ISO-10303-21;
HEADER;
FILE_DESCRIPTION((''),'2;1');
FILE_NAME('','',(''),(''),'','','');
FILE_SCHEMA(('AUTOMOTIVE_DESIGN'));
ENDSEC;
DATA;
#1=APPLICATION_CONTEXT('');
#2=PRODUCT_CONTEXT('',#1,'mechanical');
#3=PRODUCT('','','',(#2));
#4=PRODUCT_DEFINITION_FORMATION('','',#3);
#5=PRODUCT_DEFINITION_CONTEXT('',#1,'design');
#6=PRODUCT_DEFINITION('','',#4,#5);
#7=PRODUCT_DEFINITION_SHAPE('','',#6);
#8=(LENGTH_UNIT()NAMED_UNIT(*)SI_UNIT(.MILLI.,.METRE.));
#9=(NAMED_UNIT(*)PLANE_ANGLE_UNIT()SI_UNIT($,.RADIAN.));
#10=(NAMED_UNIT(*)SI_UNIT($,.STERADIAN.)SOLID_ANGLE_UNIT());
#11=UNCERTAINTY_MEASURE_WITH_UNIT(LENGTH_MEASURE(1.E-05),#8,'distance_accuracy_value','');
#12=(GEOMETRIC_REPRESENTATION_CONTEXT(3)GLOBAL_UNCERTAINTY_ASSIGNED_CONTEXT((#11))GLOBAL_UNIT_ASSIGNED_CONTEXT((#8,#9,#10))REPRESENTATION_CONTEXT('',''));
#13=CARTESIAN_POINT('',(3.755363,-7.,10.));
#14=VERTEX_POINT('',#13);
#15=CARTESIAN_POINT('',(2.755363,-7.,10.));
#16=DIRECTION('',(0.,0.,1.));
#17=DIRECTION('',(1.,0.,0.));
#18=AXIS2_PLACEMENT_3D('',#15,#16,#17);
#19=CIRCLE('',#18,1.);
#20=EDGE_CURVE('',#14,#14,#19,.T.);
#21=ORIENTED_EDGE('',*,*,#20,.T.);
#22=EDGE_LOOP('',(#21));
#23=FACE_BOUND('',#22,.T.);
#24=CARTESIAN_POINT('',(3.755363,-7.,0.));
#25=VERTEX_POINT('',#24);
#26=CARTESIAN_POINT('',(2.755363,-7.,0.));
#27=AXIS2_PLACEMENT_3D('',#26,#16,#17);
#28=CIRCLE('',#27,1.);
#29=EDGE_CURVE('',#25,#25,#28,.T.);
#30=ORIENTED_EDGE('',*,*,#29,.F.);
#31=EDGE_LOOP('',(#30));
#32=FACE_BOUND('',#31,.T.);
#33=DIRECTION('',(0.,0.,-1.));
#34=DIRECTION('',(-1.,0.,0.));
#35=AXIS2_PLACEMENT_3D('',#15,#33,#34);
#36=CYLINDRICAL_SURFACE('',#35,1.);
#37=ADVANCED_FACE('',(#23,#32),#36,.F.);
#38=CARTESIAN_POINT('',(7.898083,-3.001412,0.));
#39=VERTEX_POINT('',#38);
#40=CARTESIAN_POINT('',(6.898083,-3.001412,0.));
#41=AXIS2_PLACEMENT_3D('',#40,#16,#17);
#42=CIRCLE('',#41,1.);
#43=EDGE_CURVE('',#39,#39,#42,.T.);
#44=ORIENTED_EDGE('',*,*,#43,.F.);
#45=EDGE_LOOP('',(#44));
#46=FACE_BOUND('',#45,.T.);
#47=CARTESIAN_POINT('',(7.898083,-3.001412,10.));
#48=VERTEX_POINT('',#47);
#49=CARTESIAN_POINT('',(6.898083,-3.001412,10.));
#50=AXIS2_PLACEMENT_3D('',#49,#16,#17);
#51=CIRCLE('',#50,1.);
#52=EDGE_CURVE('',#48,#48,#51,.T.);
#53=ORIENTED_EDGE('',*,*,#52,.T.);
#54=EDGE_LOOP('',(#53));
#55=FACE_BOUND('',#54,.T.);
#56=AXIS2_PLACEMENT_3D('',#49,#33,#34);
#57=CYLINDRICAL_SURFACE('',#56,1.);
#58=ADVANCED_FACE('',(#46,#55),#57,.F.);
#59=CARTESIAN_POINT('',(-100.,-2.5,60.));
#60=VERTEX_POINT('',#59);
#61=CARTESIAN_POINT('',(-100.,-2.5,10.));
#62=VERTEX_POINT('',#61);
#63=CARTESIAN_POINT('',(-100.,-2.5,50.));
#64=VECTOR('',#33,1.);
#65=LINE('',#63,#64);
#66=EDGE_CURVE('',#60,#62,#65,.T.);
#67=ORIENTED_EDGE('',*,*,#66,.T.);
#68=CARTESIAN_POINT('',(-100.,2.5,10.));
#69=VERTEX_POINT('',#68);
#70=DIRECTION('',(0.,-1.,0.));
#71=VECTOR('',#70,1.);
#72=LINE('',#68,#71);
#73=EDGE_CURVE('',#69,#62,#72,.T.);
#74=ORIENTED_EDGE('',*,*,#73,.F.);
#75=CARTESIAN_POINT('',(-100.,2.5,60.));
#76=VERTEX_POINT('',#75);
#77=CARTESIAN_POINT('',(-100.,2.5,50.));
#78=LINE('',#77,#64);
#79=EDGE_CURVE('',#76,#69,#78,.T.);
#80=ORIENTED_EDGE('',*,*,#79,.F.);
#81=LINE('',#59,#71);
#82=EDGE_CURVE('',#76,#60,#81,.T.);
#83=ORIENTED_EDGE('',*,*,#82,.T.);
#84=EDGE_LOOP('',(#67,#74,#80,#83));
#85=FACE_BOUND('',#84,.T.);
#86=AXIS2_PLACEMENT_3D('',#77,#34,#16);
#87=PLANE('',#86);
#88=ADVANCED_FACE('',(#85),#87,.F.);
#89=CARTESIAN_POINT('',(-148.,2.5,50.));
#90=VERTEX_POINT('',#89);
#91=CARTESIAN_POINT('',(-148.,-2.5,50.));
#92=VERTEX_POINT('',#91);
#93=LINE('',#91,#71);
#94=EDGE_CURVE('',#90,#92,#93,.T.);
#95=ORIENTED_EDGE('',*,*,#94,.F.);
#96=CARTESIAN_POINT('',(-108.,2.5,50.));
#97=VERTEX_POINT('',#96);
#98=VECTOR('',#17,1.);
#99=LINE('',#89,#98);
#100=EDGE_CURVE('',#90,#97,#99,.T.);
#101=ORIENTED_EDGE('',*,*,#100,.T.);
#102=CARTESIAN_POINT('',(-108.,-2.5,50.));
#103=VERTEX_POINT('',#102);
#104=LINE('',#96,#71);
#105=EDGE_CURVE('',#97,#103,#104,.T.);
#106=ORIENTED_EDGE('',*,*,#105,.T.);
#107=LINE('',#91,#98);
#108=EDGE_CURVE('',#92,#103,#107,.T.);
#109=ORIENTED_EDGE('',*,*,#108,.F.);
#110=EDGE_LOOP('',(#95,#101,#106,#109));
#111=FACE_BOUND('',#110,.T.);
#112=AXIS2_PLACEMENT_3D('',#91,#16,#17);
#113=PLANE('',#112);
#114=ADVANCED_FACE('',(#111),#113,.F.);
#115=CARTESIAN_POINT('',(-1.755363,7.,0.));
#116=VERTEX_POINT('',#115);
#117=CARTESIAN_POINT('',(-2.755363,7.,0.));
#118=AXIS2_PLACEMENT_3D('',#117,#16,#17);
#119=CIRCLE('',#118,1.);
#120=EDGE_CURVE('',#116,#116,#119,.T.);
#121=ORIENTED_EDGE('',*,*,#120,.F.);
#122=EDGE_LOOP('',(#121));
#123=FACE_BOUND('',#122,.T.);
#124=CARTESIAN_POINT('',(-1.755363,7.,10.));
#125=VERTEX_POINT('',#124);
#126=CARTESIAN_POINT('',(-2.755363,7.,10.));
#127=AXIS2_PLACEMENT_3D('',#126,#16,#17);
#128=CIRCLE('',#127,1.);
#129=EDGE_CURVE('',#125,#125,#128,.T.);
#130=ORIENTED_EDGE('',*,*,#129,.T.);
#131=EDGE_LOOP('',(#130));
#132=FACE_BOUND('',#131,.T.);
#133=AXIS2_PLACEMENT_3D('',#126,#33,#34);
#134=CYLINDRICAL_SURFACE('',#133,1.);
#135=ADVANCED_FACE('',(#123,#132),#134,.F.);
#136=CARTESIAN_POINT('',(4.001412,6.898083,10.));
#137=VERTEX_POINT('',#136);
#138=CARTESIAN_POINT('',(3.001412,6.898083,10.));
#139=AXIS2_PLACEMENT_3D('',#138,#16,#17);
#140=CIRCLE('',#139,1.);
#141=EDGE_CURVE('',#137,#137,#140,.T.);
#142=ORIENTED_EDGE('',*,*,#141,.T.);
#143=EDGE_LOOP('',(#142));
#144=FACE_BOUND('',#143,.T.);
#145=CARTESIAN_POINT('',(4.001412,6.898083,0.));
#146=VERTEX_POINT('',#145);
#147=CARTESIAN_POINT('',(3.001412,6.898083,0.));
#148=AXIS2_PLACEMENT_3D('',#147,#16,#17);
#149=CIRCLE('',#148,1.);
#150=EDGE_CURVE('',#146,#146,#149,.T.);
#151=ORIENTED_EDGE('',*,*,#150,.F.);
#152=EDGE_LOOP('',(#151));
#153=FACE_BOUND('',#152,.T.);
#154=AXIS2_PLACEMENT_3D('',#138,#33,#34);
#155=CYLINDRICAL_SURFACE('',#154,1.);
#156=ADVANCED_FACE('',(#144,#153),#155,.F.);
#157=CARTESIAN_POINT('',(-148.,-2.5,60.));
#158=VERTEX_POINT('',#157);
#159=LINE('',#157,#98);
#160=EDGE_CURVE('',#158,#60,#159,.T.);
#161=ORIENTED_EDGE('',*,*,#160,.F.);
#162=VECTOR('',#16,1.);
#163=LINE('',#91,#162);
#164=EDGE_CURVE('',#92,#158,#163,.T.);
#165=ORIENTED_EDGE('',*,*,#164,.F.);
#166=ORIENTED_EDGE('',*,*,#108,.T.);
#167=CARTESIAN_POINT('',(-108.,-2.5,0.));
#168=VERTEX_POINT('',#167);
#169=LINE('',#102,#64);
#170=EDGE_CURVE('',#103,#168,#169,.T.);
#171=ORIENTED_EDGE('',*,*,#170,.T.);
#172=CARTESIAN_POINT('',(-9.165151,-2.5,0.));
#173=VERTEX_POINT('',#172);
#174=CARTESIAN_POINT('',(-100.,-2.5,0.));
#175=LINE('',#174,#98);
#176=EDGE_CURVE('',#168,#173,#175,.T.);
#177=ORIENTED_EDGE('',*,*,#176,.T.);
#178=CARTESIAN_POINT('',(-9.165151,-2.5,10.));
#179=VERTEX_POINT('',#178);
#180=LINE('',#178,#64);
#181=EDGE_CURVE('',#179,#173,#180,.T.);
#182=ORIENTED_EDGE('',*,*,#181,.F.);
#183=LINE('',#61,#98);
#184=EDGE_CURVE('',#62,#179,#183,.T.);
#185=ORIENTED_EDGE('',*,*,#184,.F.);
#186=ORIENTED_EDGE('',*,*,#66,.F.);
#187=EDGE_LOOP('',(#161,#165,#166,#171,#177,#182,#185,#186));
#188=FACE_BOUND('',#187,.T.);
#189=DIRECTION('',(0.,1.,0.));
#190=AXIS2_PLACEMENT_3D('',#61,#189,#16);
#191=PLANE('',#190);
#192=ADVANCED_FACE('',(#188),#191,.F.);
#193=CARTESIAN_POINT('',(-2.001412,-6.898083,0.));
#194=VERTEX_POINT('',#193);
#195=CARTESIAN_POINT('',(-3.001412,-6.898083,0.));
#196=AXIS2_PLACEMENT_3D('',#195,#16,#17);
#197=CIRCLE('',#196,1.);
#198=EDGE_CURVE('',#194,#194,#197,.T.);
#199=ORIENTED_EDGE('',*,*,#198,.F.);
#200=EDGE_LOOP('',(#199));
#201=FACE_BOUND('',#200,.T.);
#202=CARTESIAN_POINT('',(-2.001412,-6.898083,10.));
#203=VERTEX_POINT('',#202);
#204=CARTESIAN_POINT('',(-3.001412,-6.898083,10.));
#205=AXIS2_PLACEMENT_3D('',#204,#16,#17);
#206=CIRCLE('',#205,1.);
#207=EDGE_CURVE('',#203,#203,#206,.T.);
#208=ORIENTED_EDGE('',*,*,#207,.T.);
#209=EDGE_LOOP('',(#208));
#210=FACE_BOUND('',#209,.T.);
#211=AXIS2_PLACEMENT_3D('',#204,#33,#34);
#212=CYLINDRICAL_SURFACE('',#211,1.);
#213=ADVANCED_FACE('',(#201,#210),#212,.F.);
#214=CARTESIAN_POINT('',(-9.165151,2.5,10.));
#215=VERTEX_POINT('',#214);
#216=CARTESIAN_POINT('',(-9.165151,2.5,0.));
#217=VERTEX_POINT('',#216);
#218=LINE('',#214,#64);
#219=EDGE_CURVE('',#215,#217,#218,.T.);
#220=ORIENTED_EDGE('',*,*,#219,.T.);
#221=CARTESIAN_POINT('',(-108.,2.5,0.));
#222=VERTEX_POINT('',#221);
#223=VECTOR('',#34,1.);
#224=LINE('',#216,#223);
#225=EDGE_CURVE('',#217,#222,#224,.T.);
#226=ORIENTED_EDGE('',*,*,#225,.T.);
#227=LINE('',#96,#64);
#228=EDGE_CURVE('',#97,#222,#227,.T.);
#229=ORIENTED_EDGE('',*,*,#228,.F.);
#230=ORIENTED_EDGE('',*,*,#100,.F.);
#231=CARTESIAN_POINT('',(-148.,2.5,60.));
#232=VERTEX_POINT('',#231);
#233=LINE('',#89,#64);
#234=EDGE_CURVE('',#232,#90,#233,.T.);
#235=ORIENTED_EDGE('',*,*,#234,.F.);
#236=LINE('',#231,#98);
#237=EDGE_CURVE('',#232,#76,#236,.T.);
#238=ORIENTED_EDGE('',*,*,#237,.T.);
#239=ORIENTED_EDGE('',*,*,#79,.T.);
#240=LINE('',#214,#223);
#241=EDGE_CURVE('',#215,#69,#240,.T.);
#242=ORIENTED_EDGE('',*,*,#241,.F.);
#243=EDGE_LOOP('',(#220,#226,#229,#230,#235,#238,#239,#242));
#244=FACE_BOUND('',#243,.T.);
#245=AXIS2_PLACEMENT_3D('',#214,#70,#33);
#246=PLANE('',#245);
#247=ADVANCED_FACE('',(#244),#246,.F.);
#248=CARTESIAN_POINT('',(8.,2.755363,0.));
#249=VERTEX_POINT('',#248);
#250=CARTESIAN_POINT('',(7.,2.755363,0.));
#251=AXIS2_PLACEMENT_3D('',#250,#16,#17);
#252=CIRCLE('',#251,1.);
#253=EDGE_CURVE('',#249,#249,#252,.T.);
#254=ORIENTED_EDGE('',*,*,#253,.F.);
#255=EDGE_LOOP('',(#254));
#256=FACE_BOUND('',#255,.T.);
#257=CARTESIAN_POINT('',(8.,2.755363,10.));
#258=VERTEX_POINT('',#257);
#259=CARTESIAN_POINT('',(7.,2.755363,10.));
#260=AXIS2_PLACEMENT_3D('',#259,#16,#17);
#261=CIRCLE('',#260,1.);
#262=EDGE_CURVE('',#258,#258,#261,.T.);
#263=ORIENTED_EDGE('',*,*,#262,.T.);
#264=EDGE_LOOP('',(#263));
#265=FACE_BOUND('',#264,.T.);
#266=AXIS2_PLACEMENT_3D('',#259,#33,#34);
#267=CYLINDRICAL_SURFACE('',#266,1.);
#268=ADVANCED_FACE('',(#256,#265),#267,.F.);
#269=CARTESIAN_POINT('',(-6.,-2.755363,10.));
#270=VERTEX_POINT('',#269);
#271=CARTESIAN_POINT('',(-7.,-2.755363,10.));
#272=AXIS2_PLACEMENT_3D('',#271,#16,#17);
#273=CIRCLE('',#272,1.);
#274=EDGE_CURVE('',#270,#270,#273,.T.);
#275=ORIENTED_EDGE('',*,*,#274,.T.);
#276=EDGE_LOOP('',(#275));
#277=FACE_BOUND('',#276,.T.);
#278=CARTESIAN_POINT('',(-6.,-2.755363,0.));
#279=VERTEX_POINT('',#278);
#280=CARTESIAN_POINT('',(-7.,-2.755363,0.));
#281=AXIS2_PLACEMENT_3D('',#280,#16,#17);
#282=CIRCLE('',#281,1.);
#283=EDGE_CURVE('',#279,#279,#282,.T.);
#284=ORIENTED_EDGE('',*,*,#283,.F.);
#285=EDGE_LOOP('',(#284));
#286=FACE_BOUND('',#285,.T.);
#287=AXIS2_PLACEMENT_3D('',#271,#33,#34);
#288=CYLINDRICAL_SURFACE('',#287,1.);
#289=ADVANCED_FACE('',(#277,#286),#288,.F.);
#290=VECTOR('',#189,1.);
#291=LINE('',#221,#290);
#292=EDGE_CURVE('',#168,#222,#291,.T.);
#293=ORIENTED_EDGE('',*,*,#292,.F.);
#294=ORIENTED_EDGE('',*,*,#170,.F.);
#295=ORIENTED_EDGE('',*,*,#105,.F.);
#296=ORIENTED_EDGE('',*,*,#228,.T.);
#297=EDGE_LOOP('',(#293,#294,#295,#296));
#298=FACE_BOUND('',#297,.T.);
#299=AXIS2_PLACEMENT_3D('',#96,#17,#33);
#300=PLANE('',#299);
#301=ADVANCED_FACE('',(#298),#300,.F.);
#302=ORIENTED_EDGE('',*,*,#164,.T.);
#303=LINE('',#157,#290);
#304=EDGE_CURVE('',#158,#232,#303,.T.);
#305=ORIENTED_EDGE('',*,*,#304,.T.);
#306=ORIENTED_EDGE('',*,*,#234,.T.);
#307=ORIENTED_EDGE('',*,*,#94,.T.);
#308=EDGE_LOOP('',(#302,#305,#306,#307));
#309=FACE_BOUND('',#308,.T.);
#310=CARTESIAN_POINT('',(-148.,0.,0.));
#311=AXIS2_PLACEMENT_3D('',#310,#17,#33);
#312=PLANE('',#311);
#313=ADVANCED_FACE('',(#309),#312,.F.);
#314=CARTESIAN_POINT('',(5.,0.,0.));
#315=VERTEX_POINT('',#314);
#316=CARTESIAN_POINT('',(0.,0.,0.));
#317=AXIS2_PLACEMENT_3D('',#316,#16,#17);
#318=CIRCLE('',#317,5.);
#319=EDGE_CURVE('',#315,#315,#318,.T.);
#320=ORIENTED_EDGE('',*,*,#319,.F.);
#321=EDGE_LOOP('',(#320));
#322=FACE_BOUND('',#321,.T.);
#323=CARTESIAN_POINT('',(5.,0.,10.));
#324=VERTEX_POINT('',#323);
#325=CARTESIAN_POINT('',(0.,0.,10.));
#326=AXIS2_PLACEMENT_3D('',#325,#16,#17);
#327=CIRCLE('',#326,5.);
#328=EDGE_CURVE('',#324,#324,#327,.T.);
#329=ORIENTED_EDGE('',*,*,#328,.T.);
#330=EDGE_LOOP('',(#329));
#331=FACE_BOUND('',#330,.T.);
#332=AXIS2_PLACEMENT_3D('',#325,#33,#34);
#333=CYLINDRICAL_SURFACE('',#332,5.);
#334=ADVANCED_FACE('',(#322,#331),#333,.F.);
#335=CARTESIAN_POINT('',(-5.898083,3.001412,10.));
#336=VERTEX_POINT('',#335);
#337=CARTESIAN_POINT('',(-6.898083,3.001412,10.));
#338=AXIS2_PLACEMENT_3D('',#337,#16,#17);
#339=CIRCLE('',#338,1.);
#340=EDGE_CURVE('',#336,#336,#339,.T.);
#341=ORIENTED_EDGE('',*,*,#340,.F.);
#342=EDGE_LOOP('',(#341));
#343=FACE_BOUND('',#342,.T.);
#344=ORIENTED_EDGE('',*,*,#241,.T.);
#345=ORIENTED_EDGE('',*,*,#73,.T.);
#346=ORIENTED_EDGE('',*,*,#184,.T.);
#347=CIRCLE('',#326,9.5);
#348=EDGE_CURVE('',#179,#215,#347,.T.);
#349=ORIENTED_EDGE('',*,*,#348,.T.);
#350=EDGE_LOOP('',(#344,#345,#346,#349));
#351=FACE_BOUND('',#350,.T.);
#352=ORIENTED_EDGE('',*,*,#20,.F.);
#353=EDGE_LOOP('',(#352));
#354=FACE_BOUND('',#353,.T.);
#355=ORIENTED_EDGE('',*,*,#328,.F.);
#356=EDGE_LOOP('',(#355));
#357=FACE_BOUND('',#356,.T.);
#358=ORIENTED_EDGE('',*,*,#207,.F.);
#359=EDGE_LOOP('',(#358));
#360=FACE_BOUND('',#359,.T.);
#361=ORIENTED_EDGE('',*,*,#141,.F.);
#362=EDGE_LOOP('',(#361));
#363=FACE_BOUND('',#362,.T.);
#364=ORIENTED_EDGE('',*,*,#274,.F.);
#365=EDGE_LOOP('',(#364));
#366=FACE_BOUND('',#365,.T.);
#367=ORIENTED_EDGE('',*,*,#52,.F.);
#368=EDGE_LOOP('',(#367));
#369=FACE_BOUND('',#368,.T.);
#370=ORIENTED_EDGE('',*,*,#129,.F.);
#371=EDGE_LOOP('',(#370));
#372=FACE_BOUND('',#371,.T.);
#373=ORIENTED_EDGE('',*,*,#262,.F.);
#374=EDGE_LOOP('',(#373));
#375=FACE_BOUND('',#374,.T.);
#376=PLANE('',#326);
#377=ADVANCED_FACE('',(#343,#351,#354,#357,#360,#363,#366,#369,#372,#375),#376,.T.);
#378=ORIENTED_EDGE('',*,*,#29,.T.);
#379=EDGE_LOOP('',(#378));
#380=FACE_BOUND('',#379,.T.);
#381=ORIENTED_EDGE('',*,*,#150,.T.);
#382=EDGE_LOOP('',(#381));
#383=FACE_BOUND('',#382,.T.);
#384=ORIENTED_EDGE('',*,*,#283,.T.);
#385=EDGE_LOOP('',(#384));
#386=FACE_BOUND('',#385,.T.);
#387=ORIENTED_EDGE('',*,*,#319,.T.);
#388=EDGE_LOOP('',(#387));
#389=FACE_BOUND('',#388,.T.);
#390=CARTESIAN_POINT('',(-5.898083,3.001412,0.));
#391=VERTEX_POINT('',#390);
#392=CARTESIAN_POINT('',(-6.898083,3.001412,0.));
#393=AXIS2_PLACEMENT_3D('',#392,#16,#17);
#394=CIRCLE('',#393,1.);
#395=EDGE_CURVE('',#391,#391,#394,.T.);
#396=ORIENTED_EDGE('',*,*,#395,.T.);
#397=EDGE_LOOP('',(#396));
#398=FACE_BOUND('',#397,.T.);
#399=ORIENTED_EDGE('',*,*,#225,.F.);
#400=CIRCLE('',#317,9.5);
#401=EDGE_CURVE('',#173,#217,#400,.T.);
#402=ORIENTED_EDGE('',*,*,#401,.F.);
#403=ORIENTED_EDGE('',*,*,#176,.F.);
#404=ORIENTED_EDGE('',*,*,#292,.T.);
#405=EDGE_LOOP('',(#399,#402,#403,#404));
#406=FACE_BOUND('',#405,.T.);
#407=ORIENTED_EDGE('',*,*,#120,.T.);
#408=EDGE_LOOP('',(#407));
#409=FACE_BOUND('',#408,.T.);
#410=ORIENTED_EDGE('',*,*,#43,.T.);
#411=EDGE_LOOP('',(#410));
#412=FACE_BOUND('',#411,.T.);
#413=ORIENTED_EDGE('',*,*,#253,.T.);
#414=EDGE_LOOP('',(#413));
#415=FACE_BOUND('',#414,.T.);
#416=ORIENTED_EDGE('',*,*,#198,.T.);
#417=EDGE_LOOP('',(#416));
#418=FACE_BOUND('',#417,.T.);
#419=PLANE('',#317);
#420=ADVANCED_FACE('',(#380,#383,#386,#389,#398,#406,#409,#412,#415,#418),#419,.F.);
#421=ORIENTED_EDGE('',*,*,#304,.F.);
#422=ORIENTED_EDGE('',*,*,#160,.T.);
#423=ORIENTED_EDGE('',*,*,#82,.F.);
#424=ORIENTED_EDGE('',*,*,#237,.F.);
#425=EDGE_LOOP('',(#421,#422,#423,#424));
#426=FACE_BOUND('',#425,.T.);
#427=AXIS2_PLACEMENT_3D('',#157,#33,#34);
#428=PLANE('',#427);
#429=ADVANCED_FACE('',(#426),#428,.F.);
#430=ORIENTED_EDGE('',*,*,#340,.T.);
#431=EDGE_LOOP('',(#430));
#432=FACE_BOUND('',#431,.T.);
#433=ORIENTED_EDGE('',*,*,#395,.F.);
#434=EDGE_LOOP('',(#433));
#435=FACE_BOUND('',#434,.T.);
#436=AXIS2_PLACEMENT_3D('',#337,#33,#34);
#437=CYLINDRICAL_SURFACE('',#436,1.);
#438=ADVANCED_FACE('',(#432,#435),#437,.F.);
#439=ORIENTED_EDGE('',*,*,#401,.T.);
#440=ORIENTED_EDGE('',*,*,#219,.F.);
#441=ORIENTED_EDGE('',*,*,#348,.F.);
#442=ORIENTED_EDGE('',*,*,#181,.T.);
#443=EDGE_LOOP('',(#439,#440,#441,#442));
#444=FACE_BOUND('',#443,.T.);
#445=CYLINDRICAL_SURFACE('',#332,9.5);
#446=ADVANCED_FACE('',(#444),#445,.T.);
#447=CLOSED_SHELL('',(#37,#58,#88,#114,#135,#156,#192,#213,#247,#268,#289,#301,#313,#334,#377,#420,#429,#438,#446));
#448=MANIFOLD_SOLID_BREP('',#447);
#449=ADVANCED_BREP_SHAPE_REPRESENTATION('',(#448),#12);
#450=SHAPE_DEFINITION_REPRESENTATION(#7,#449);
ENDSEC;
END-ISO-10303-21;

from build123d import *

# Parameters (mm, degrees)
SKETCH1_R                = 5
SKETCH1_R_2              = 1
BOSS_EXTRUDE1_DEPTH      = 10
BOSS_EXTRUDE2_DEPTH      = 40
BOSS_EXTRUDE2_DEPTH_BACK = 10
SKETCH2_W                = 8
SKETCH2_H                = 5
BOSS_EXTRUDE3_DEPTH      = 40
BOSS_EXTRUDE3_DEPTH_BACK = 8
SKETCH3_W                = 10
SKETCH3_H                = 5


with BuildPart() as part:
    # Sketch1 → Boss-Extrude1 (new body)
    with BuildSketch(Plane.XY):
        with BuildLine():
            Line((-9.16515139, 2.5), (-100, 2.5))
            Line((-100, 2.5), (-100, -2.5))
            Line((-100, -2.5), (-9.16515139, -2.5))
            ThreePointArc((-9.16515139, -2.5), (9.5, 0), (-9.16515139, 2.5))
        make_face()
        Circle(SKETCH1_R, mode=Mode.SUBTRACT)
        with Locations((2.755362887, -7)):
            Circle(SKETCH1_R_2, mode=Mode.SUBTRACT)
        with Locations((-3.001411686, -6.89808325)):
            Circle(SKETCH1_R_2, mode=Mode.SUBTRACT)
        with Locations((-7, -2.755362887)):
            Circle(SKETCH1_R_2, mode=Mode.SUBTRACT)
        with Locations((-6.89808325, 3.001411686)):
            Circle(SKETCH1_R_2, mode=Mode.SUBTRACT)
        with Locations((-2.755362887, 7)):
            Circle(SKETCH1_R_2, mode=Mode.SUBTRACT)
        with Locations((3.001411686, 6.89808325)):
            Circle(SKETCH1_R_2, mode=Mode.SUBTRACT)
        with Locations((7, 2.755362887)):
            Circle(SKETCH1_R_2, mode=Mode.SUBTRACT)
        with Locations((6.89808325, -3.001411686)):
            Circle(SKETCH1_R_2, mode=Mode.SUBTRACT)
    extrude(amount=BOSS_EXTRUDE1_DEPTH)

    # Sketch2 → Boss-Extrude2 (add, two sides: drawn at the far end of the back side and taken through both)
    with BuildSketch(Plane.XY.offset(10).offset(-BOSS_EXTRUDE2_DEPTH_BACK)):
        with Locations((-104, 0)):
            Rectangle(SKETCH2_W, SKETCH2_H)
    extrude(amount=BOSS_EXTRUDE2_DEPTH + BOSS_EXTRUDE2_DEPTH_BACK)

    # Sketch3 → Boss-Extrude3 (add, two sides: drawn at the far end of the back side and taken through both)
    with BuildSketch(Plane.ZY.offset(108).offset(-BOSS_EXTRUDE3_DEPTH_BACK)):
        with Locations((55, 0)):
            Rectangle(SKETCH3_W, SKETCH3_H)
    extrude(amount=BOSS_EXTRUDE3_DEPTH + BOSS_EXTRUDE3_DEPTH_BACK)


solid = part.part
